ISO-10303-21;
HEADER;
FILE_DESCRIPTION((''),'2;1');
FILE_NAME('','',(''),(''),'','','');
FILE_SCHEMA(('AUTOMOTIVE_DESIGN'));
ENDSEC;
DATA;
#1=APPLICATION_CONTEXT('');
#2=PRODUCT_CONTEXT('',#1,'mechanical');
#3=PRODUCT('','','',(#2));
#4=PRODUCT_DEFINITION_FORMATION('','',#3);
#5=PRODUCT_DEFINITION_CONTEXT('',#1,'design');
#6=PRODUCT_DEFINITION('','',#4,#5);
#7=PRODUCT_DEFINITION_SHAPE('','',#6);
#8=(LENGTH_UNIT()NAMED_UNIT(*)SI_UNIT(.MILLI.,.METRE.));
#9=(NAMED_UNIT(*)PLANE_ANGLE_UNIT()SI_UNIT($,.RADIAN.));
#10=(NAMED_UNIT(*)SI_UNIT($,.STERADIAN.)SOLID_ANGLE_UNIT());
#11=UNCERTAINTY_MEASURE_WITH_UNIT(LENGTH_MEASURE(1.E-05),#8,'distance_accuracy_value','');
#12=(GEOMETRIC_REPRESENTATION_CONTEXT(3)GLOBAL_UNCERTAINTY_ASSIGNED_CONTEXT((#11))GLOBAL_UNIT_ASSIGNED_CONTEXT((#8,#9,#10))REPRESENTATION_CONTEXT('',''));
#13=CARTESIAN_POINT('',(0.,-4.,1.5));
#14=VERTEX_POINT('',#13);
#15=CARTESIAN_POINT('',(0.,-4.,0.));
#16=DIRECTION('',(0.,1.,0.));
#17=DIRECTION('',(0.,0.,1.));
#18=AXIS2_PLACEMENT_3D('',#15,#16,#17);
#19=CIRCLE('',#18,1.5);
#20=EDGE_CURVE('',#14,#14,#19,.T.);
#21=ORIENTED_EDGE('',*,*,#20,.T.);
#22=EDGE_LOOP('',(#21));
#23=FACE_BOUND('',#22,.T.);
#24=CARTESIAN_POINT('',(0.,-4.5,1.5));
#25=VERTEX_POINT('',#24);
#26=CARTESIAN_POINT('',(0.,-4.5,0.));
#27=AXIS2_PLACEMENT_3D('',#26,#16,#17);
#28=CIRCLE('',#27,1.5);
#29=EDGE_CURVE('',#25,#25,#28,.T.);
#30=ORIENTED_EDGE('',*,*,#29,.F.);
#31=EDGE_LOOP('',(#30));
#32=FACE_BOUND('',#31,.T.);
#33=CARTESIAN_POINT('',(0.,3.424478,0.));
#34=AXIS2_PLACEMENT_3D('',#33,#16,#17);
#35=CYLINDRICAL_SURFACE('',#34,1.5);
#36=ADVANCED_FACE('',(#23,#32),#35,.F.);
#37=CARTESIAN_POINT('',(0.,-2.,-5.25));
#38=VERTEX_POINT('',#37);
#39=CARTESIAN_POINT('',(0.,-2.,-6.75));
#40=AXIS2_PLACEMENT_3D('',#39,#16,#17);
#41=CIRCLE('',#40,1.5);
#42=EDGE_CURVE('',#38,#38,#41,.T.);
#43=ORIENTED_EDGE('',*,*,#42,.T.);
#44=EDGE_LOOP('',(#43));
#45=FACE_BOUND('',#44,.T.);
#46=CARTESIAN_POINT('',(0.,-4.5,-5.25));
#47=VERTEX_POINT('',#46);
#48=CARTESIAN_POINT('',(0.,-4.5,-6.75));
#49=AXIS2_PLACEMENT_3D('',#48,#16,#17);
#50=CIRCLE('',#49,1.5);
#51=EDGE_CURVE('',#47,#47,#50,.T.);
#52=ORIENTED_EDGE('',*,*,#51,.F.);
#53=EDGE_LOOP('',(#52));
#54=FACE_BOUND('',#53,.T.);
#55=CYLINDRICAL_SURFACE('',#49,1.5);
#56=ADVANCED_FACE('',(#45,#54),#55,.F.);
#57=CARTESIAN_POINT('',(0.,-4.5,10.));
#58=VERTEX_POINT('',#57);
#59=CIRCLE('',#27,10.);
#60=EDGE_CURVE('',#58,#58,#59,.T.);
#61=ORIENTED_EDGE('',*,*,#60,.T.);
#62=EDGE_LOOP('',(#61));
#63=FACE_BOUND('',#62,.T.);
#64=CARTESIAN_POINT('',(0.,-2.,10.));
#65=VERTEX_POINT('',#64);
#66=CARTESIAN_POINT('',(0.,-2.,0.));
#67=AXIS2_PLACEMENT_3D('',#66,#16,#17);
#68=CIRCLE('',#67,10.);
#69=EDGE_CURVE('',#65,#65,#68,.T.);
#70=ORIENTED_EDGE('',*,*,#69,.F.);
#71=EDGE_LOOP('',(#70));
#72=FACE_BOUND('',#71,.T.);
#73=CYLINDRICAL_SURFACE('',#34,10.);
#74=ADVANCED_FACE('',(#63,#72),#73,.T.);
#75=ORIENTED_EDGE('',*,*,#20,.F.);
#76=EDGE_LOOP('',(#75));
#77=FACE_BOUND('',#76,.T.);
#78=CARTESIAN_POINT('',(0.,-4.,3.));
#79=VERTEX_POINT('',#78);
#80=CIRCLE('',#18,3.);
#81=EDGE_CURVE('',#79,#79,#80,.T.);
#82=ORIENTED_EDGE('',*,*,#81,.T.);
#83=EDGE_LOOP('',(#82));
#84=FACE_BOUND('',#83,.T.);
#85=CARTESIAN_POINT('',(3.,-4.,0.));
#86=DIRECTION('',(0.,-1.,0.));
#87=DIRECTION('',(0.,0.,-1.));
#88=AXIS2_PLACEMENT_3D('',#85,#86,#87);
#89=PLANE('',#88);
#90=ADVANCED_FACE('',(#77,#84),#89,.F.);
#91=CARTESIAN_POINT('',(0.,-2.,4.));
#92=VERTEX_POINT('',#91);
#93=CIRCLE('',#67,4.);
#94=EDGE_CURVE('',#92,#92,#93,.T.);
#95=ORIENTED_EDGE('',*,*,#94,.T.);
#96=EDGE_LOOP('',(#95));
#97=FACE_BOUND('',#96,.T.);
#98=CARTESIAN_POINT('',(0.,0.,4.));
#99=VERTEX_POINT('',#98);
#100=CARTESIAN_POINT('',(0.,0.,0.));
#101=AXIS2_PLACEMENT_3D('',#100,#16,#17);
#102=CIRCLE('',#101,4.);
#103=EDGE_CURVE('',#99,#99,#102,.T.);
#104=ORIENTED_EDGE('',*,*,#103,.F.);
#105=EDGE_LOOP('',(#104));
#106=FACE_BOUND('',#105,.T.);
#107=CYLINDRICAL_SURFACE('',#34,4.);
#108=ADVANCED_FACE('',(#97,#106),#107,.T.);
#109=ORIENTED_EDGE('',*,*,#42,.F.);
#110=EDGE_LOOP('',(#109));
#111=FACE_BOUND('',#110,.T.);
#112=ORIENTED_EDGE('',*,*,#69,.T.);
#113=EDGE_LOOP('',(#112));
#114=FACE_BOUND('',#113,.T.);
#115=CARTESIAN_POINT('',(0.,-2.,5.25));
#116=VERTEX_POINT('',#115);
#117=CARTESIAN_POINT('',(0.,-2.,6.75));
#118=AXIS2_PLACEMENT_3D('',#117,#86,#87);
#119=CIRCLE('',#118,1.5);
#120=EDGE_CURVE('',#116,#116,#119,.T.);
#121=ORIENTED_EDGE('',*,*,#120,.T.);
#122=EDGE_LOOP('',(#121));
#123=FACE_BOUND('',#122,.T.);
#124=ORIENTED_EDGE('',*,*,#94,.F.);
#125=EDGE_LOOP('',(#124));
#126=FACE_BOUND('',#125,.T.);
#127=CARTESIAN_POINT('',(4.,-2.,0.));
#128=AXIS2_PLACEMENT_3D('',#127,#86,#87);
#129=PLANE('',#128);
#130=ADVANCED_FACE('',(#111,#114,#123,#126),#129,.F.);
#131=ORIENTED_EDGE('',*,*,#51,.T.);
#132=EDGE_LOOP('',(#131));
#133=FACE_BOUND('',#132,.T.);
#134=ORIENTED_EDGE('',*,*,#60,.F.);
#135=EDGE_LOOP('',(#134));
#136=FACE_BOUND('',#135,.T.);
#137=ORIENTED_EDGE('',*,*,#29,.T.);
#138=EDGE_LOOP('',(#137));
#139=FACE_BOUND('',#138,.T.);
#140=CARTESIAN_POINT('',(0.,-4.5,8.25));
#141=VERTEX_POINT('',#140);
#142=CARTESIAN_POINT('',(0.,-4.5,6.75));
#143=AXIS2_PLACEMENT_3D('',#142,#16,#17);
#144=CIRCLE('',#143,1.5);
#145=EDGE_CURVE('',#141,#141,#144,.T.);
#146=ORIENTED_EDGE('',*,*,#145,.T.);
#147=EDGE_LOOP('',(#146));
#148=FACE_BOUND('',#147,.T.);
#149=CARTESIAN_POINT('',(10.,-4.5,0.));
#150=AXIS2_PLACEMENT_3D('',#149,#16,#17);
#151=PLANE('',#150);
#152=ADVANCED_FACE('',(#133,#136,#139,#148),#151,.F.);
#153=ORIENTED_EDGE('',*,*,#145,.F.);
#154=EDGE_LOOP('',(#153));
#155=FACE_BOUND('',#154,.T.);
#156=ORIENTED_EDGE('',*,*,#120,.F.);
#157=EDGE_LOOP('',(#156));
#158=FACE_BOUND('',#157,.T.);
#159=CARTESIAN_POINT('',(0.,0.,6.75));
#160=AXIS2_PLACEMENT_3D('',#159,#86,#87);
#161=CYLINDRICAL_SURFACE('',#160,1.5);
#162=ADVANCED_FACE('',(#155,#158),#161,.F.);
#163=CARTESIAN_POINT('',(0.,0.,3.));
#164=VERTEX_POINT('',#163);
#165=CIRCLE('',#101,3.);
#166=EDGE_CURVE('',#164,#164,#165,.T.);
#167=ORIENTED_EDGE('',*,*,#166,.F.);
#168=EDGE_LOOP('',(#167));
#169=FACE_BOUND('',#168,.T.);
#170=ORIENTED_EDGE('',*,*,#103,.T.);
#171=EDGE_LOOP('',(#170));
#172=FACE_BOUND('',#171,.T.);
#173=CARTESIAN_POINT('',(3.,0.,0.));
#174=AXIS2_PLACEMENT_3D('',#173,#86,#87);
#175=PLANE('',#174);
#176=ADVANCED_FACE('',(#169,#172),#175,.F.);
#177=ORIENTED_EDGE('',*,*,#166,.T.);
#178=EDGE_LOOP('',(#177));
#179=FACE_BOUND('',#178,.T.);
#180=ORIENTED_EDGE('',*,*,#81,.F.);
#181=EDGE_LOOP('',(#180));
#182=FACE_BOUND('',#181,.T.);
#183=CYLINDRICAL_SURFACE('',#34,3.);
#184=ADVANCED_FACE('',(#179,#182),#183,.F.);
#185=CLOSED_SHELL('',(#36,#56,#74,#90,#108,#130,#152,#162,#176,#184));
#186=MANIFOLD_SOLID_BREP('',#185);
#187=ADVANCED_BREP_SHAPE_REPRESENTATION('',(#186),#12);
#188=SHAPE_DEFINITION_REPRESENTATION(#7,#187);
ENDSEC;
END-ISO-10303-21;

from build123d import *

# Parameters (mm, degrees)
SKETCH4_R          = 1.5
CUT_EXTRUDE1_DEPTH = 15.361406616
CIRPATTERN1_COUNT  = 4


with BuildPart() as part:
    # Sketch1 → Revolve1 (revolve)
    with BuildSketch(Plane.XY, mode=Mode.PRIVATE) as revolve1_sk:
        Polygon((3, 0), (4, 0), (4, -2), (10, -2), (10, -4.5), (1.5, -4.5), (1.5, -4), (3, -4), align=None)
    revolve(revolve1_sk.sketch.rotate(Axis((0, 3.424478083, 0), (0, -1, 0)), 90), axis=Axis((0, 3.424478083, 0), (0, -1, 0)))

    # Sketch4 → Cut-Extrude1 (cut, through all)
    with BuildSketch(Plane(origin=(0, -2, 0), x_dir=(1, 0, 0), z_dir=(0, 1, 0))):
        with Locations(Location((0, 6.75, 0), (0, 0, 270))):
            Circle(SKETCH4_R)
    cut_extrude1 = extrude(amount=-CUT_EXTRUDE1_DEPTH, mode=Mode.SUBTRACT)

    # CirPattern1: Cut-Extrude1 ×4 about axis
    cirpattern1_axis = Axis((-7.809580464, -4.5, 0), (1, 0, 0))
    for i in range(1, CIRPATTERN1_COUNT):
        add(cut_extrude1.rotate(cirpattern1_axis, i * 360 / CIRPATTERN1_COUNT), mode=Mode.SUBTRACT)


solid = part.part
